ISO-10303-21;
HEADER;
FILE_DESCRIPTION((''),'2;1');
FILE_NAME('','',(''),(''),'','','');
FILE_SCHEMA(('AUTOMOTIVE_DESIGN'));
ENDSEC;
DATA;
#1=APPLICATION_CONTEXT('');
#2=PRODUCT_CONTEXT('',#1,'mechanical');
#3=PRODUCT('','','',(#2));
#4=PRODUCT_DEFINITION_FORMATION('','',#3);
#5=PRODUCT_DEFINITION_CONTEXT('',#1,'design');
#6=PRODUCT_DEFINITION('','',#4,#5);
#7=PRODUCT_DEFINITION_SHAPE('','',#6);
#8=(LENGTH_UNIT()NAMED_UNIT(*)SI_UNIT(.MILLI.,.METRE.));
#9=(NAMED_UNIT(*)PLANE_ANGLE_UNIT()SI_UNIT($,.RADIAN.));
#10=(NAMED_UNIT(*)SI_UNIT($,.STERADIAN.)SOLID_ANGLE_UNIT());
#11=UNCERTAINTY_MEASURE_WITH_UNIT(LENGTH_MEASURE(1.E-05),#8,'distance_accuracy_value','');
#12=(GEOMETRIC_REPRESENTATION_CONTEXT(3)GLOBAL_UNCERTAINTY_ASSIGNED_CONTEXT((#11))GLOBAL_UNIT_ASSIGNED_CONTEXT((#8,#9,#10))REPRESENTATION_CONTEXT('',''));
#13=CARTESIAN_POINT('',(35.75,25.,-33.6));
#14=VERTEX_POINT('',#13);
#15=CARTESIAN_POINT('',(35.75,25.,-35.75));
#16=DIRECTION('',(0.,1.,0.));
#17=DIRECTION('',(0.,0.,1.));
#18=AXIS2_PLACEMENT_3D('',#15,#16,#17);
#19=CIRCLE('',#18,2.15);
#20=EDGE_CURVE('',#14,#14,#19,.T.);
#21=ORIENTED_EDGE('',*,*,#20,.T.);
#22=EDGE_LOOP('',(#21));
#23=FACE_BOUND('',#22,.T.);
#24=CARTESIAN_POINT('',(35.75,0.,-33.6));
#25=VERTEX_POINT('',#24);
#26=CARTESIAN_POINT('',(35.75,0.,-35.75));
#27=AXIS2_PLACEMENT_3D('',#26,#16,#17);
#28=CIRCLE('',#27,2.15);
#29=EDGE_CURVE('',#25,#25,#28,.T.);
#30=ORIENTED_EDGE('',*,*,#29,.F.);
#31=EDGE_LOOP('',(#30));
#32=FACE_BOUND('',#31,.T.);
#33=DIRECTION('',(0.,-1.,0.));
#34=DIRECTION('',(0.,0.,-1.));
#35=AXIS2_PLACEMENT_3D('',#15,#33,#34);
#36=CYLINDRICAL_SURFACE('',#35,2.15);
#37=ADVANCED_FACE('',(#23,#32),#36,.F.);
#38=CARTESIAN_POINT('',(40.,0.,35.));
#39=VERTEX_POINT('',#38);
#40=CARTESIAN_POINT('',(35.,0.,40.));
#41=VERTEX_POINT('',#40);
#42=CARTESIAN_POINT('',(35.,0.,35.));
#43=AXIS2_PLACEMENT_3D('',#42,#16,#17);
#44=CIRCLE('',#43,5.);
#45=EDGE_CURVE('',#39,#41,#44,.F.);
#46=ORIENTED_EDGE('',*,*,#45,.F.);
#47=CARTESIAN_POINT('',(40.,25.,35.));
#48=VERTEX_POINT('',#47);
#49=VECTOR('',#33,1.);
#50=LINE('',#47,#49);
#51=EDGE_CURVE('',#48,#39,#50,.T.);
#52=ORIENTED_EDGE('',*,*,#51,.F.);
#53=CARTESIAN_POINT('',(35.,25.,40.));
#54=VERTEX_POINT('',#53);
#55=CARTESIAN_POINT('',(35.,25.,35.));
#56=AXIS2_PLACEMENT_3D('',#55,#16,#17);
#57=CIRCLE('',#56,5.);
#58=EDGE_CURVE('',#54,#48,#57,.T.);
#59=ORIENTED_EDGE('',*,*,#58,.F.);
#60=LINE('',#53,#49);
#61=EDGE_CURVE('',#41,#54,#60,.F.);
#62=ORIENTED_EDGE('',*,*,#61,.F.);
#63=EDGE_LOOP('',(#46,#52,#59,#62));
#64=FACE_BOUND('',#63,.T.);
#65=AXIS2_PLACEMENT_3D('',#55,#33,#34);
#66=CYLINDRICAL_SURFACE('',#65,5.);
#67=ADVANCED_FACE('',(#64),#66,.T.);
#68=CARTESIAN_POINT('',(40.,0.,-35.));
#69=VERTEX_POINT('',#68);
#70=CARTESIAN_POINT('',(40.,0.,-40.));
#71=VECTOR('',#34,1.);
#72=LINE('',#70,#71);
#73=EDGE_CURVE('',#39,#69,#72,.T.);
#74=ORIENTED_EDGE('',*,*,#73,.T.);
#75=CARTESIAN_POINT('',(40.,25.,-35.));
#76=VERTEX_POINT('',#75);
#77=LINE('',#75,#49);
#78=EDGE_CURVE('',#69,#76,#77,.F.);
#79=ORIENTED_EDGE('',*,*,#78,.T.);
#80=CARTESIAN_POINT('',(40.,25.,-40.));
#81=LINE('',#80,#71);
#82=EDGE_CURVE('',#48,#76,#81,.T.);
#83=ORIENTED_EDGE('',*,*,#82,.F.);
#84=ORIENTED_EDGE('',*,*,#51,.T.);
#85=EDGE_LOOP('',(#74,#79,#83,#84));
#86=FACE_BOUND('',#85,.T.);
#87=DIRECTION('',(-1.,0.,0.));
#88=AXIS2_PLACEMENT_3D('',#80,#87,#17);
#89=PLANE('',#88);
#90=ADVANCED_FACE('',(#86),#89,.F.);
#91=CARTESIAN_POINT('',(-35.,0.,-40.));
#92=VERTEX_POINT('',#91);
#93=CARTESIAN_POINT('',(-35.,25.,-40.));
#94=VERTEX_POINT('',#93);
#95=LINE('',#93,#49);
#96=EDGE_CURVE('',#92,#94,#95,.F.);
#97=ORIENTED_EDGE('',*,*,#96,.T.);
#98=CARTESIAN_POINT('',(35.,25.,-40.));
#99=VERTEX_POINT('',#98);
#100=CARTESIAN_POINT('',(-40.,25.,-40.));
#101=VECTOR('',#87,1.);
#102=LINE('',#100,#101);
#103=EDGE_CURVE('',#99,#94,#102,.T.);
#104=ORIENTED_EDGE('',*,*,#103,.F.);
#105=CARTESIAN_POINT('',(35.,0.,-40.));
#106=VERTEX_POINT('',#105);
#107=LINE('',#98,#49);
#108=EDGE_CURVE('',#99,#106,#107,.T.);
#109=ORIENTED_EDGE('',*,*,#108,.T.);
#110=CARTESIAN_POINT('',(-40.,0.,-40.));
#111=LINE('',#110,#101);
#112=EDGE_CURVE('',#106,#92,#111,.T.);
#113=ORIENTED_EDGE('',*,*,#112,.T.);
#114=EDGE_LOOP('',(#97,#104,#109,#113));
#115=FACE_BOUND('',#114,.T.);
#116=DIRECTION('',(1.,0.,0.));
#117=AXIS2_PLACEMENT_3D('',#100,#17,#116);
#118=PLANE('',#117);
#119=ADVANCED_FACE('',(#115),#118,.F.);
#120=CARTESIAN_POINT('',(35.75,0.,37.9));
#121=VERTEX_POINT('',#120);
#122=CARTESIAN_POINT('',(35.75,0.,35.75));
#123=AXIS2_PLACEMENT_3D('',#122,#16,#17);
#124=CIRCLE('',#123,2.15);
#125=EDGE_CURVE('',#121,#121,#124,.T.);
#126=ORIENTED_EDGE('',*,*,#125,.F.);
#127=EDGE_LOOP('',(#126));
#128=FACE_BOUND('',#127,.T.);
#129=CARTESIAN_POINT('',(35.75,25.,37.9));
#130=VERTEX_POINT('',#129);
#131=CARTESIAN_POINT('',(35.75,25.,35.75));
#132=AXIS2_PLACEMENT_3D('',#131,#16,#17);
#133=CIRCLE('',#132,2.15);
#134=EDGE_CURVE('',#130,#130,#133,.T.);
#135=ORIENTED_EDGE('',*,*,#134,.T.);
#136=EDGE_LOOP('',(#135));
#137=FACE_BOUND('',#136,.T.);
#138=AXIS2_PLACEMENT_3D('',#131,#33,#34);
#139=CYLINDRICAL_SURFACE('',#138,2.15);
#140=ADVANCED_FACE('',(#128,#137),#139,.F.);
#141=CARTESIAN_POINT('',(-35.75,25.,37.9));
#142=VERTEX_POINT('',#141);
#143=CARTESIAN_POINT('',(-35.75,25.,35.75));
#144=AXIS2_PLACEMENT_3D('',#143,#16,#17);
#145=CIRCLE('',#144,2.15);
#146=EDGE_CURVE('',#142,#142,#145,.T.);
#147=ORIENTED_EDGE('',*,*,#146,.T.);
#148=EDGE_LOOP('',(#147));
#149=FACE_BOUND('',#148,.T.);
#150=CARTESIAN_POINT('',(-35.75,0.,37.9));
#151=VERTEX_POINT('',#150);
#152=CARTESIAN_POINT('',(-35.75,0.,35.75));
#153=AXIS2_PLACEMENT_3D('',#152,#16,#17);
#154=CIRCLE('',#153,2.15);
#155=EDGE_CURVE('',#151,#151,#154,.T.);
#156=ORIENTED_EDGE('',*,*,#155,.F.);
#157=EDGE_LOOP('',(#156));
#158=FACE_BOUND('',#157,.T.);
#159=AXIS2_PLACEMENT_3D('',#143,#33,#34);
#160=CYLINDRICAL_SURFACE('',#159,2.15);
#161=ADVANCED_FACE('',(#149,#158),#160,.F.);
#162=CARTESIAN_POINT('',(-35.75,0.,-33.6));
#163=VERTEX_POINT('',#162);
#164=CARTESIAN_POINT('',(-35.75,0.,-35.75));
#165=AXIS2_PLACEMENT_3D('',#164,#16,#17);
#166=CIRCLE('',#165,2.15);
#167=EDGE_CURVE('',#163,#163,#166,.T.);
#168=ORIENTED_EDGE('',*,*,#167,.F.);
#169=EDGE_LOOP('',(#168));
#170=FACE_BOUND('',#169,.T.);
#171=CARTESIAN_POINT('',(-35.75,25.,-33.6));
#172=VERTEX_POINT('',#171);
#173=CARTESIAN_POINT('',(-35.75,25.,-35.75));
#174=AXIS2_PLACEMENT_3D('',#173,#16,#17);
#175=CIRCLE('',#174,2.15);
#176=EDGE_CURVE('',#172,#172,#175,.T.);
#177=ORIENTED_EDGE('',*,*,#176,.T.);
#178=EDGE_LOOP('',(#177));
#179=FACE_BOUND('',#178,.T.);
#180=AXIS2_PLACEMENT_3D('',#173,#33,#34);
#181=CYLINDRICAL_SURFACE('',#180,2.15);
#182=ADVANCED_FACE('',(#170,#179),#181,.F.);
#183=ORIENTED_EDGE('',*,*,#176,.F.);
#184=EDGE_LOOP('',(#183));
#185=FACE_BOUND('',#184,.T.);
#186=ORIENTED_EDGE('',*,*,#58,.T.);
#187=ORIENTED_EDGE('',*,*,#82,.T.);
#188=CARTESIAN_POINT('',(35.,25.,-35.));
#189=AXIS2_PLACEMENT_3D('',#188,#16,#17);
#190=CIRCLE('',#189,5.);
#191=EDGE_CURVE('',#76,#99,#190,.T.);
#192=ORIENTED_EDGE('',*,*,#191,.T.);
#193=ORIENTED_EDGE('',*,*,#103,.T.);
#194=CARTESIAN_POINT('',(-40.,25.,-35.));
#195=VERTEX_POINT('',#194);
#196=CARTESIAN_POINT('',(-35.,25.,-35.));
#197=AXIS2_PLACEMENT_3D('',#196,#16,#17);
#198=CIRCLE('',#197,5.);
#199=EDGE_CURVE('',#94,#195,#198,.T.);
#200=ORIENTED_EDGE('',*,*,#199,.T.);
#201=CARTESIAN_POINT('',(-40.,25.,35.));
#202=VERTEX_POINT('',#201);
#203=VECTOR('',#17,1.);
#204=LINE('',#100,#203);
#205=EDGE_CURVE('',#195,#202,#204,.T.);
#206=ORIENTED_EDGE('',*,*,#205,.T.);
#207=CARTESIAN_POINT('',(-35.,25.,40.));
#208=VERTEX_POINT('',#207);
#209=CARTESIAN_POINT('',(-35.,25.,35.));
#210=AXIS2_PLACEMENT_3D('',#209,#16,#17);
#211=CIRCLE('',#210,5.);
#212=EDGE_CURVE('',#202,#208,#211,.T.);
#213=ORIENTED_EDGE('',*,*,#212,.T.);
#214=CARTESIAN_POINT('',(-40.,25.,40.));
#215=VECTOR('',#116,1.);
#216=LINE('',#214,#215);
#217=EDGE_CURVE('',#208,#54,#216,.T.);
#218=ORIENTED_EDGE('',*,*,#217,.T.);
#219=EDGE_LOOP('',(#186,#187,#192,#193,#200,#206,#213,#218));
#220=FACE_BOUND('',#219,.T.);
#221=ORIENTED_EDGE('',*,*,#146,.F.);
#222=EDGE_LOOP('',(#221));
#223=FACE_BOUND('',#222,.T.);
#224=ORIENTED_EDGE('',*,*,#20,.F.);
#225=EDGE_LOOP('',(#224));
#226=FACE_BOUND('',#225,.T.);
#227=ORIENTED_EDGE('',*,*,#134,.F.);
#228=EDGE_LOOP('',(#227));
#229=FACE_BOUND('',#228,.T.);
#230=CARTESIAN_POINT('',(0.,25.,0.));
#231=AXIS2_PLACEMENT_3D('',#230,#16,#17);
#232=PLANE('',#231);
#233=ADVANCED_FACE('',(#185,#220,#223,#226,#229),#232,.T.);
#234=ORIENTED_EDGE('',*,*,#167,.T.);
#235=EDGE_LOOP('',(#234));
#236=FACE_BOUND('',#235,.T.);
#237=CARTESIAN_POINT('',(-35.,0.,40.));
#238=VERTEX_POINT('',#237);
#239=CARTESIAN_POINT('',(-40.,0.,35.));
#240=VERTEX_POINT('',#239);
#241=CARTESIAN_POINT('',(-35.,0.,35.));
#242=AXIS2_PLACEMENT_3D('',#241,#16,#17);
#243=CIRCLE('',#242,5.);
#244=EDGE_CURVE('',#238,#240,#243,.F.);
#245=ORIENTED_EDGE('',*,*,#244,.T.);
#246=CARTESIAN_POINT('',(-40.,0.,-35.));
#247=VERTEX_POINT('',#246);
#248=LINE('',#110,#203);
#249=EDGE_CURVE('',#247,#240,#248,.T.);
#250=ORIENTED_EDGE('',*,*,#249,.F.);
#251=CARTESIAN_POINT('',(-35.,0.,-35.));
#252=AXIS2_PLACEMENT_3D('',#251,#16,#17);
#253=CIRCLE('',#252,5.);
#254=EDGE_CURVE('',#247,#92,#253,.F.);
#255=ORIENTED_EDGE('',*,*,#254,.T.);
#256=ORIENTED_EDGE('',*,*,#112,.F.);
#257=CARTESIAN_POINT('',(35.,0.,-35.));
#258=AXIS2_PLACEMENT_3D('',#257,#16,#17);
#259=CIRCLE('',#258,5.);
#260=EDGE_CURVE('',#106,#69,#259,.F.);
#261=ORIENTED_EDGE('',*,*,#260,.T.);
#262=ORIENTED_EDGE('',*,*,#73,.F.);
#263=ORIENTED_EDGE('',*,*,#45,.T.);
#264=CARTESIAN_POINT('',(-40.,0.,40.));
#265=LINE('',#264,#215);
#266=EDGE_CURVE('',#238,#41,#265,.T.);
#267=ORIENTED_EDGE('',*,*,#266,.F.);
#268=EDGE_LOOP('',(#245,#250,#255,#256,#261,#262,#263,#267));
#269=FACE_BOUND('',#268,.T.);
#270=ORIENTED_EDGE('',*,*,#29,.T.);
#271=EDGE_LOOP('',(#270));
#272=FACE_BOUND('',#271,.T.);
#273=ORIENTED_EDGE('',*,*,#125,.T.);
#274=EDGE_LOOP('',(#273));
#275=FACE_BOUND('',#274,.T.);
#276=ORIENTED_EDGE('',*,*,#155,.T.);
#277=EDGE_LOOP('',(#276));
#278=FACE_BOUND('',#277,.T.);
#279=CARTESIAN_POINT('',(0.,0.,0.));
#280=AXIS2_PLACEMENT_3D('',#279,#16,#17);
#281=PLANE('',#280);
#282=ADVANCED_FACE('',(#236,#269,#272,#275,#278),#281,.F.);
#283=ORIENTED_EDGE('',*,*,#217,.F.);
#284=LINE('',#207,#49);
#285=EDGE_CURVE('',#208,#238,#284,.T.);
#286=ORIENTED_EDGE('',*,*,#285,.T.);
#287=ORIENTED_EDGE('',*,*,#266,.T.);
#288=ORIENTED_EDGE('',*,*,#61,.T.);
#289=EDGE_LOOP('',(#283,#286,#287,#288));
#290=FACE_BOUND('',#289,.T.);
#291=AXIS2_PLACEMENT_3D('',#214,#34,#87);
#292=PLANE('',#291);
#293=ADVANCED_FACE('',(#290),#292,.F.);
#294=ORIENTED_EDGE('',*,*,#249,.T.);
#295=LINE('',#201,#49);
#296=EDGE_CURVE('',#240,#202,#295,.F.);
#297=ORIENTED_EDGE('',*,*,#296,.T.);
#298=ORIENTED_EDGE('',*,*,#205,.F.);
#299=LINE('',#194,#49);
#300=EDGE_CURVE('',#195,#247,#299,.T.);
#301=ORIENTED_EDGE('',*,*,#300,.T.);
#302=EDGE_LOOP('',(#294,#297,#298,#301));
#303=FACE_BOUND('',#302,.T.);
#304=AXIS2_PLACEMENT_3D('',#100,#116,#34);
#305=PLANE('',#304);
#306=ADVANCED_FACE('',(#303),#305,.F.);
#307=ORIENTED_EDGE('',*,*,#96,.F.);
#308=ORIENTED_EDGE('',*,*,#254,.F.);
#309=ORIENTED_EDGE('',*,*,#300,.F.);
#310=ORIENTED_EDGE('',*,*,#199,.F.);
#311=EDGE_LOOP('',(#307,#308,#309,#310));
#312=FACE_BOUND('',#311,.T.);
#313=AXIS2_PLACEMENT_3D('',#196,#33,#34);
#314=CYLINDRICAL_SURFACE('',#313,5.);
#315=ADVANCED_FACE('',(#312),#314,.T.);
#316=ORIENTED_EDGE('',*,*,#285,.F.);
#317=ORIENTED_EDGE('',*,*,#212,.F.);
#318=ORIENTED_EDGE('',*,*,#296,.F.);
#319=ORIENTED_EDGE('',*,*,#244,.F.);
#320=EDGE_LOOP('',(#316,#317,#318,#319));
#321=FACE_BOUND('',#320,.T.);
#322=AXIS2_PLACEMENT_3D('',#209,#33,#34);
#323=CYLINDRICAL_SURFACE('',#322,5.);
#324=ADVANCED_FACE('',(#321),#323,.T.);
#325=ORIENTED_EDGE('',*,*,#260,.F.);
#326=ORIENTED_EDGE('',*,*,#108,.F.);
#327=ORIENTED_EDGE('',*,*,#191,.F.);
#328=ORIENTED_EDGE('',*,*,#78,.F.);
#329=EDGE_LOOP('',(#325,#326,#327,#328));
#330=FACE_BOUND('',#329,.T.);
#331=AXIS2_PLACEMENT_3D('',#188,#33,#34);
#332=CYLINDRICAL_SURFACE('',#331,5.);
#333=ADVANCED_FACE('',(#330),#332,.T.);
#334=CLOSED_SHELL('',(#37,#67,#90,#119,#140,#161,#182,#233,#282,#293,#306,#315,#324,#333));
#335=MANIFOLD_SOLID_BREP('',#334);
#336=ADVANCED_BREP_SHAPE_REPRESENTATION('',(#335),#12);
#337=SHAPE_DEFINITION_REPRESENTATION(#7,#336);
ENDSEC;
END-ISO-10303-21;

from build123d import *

# Parameters (mm, degrees)
SKETCH_1_W      = 80
SKETCH_1_H      = 80
SKETCH_1_R      = 2.15
EXTRUDE_1_DEPTH = 25
FILLET_1_R      = 5


with BuildPart() as part:
    # ｽｹｯﾁ1 → ﾎﾞｽ - 押し出し1 (new body)
    with BuildSketch(Plane(origin=(0, 0, 0), x_dir=(1, 0, 0), z_dir=(0, 1, 0))):
        Rectangle(SKETCH_1_W, SKETCH_1_H)
        with Locations(Location((35.75, 35.75, 0), (0, 0, 270))):
            Circle(SKETCH_1_R, mode=Mode.SUBTRACT)
        with Locations(Location((35.75, -35.75, 0), (0, 0, 270))):
            Circle(SKETCH_1_R, mode=Mode.SUBTRACT)
        with Locations(Location((-35.75, -35.75, 0), (0, 0, 270))):
            Circle(SKETCH_1_R, mode=Mode.SUBTRACT)
        with Locations(Location((-35.75, 35.75, 0), (0, 0, 270))):
            Circle(SKETCH_1_R, mode=Mode.SUBTRACT)
    extrude(amount=EXTRUDE_1_DEPTH)

    # ﾌｨﾚｯﾄ1
    fillet_1_edges = [part.edges().sort_by_distance(p)[0] for p in [
        (40, 12.5, 40),
        (-40, 12.5, 40),
        (-40, 12.5, -40),
        (40, 12.5, -40),
    ]]
    fillet(fillet_1_edges, radius=FILLET_1_R)


solid = part.part
